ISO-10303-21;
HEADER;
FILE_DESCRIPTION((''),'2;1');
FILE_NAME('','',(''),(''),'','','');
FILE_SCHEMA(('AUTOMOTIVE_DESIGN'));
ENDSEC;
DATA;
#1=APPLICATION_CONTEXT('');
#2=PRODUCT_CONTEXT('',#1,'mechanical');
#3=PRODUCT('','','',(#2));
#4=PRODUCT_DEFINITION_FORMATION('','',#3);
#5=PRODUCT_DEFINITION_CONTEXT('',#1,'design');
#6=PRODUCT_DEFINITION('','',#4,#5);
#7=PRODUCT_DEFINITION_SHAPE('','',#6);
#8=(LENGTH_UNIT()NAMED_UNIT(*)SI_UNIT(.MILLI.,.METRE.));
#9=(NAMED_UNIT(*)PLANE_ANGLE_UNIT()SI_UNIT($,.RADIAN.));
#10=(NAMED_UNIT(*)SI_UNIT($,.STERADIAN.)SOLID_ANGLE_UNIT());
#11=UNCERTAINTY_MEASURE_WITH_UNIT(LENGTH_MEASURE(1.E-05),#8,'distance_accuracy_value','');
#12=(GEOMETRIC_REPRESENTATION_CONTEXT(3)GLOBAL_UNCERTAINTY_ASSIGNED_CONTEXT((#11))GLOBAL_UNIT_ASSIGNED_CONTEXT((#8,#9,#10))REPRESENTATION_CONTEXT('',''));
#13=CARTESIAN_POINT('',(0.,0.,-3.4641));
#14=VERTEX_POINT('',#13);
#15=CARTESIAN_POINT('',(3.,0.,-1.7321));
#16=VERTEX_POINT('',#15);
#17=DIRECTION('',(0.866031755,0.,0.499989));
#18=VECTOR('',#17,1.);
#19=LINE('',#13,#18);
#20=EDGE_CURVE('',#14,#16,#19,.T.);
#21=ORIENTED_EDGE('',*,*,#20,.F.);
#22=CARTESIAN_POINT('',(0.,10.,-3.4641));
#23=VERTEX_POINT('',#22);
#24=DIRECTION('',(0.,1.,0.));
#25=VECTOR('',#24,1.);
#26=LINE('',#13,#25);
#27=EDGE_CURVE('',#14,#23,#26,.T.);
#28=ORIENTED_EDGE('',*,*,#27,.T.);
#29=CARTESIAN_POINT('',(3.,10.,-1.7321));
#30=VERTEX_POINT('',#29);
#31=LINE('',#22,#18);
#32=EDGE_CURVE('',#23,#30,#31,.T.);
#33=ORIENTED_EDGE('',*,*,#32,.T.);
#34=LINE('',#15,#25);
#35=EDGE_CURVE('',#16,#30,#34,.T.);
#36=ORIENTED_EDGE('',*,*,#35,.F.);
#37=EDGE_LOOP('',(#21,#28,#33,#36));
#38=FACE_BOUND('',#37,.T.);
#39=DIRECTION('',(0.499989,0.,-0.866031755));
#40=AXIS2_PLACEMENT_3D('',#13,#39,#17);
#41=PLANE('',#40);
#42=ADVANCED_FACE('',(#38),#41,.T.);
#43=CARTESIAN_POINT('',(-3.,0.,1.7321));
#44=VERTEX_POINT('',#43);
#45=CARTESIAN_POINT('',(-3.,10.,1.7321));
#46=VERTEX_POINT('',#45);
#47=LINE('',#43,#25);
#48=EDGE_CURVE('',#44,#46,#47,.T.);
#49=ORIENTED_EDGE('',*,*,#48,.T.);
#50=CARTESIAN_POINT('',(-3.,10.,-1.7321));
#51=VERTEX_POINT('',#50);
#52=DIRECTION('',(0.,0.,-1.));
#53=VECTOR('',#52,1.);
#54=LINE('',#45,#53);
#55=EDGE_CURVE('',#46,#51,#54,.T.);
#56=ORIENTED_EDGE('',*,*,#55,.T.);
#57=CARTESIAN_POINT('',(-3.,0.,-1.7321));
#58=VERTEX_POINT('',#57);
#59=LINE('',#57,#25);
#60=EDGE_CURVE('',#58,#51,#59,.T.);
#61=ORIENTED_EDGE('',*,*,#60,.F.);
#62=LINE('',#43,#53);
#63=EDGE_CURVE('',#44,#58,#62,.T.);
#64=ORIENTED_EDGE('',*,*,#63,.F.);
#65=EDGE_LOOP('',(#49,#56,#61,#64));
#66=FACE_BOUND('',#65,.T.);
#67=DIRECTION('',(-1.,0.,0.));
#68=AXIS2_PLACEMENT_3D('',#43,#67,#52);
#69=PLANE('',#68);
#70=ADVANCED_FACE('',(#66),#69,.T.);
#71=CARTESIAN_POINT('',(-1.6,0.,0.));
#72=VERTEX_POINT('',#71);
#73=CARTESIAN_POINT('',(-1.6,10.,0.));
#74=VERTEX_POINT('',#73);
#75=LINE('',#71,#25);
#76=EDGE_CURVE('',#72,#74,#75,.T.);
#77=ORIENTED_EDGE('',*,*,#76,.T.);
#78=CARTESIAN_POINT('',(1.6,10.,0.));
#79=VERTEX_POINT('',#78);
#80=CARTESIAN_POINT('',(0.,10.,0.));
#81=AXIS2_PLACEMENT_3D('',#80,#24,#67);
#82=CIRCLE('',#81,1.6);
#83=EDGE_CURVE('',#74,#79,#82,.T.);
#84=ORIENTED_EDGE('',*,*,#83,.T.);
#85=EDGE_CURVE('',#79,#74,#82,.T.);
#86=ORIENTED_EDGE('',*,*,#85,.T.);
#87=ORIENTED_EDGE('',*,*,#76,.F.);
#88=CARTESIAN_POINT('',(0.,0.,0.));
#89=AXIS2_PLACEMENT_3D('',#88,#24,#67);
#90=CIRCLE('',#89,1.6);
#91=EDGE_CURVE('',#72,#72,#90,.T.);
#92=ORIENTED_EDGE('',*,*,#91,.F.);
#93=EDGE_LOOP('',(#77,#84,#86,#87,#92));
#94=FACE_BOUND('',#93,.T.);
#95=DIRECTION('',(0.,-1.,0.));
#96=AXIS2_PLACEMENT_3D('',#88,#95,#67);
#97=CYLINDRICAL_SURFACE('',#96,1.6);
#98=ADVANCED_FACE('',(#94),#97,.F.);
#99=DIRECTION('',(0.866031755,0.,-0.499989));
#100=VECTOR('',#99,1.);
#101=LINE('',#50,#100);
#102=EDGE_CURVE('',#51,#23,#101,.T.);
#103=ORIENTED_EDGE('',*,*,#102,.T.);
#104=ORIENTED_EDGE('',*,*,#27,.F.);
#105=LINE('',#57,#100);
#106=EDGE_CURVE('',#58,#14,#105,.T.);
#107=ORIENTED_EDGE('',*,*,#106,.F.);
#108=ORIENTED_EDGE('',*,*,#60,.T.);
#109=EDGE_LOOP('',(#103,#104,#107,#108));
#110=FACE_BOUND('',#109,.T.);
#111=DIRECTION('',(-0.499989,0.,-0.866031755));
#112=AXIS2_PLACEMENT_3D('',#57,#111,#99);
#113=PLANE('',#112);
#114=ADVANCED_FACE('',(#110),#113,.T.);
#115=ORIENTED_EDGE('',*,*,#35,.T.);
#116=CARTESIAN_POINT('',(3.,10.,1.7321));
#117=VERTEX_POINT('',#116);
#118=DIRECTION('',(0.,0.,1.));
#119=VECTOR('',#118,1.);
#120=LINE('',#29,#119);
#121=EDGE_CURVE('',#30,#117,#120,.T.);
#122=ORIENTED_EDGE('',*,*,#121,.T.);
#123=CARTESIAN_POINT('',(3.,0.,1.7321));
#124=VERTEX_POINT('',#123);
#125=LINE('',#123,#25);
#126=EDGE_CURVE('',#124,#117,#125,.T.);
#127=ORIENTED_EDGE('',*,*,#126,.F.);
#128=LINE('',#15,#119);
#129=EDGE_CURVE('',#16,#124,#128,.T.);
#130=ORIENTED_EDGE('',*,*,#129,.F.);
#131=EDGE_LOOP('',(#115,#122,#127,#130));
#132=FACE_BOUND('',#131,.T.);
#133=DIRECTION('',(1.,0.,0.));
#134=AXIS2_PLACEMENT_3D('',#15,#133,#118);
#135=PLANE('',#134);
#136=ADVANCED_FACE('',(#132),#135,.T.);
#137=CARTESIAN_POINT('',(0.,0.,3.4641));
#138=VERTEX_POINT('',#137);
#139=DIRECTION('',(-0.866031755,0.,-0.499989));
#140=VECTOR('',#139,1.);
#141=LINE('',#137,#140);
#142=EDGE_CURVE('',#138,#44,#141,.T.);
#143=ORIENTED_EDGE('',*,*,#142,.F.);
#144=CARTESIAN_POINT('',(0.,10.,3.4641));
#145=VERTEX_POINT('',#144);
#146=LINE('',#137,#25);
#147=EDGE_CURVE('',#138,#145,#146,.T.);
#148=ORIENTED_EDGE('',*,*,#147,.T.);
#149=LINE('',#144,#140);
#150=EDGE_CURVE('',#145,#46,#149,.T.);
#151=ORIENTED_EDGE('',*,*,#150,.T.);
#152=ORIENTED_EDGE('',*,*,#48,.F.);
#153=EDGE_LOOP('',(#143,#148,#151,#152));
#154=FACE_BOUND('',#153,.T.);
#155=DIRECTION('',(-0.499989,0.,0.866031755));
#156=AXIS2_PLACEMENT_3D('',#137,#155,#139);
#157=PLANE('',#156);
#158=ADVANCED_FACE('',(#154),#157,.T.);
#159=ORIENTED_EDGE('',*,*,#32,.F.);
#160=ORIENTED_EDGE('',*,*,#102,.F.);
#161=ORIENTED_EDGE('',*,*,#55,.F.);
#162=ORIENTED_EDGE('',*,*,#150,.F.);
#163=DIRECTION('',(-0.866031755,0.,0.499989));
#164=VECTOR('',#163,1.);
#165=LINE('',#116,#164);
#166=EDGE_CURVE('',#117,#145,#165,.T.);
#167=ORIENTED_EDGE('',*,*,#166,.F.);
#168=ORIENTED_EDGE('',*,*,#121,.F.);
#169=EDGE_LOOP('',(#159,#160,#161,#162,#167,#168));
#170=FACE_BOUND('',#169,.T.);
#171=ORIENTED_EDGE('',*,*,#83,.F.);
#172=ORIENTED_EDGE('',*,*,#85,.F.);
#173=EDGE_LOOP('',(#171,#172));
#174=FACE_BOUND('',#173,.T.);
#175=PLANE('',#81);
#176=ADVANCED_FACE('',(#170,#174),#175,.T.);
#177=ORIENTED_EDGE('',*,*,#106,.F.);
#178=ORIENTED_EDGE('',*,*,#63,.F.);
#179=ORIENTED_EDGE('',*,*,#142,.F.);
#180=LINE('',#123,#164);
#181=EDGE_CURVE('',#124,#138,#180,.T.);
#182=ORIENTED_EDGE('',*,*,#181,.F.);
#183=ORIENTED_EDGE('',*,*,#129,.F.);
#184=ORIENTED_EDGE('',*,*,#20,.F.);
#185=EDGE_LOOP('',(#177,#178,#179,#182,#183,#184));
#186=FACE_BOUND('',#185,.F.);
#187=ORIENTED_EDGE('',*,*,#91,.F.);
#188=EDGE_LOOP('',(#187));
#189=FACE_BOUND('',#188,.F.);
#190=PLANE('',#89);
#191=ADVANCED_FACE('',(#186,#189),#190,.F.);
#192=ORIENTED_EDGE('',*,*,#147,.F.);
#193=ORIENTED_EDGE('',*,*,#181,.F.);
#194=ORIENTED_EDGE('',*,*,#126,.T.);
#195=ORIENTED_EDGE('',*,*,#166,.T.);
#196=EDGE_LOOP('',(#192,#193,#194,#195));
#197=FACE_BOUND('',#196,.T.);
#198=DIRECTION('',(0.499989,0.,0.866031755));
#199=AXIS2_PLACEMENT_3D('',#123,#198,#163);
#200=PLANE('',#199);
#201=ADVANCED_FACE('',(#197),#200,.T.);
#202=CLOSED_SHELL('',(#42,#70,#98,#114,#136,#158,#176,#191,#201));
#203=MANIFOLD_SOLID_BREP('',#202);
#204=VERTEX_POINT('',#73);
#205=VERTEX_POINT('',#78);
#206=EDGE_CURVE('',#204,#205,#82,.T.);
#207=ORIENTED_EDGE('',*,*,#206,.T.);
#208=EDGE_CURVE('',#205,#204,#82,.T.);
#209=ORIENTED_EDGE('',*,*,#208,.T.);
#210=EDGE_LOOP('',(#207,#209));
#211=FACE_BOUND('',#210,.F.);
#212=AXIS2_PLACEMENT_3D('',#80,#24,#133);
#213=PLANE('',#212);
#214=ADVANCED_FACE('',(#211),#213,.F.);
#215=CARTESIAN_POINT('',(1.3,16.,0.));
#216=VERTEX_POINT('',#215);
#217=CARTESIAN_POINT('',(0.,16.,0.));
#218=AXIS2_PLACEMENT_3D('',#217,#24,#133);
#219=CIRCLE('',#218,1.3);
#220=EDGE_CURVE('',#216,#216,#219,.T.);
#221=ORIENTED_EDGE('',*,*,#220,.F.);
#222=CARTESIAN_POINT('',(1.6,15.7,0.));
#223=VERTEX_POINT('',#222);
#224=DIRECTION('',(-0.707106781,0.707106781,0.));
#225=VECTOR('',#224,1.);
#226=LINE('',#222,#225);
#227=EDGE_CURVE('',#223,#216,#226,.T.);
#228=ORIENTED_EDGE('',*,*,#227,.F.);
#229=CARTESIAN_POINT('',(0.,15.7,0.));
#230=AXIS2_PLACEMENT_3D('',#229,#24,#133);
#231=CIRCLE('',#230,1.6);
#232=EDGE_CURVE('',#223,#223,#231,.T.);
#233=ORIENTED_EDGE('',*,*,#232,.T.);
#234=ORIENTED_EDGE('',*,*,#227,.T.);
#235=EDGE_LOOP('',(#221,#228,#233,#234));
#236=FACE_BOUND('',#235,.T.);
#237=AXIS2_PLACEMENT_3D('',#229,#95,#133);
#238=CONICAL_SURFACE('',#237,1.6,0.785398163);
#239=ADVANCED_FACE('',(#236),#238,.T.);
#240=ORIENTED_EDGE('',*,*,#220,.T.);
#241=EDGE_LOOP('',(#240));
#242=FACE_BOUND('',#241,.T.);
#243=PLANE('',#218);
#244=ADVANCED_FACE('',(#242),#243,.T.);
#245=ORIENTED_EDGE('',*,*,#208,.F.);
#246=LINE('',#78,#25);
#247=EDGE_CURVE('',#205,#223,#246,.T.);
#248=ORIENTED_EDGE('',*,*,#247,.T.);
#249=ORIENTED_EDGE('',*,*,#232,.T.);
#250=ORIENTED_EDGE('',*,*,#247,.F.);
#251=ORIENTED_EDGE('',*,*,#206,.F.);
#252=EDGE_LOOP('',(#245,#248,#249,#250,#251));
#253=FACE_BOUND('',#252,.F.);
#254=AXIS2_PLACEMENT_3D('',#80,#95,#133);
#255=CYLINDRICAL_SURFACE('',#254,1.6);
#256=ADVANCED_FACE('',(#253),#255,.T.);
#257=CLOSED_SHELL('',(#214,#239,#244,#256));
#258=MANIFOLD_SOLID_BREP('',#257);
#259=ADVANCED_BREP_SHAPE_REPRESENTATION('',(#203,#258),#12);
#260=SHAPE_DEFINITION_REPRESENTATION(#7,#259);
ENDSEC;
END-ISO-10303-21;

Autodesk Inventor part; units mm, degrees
ref_plane "YZ Plane" through (0, 0, 0) normal (1, 0, 0) x (0, 1, 0)
ref_plane "XZ Plane" through (0, 0, 0) normal (0, 1, 0) x (-1, 0, 0)
ref_plane "XY Plane" through (0, 0, 0) normal (0, 0, 1) x (1, 0, 0)
sketch "Sketch1" plane through (0, 0, 0) normal (0, 1, 0) x (-1, 0, 0)
  circle A0 centre (0, 0) radius 1.6
  line L0 (0, -3.4641) -> (-3, -1.7321)
  line L1 (-3, -1.7321) -> (-3, 1.7321)
  line L2 (-3, 1.7321) -> (0, 3.4641)
  line L3 (0, 3.4641) -> (3, 1.7321)
  line L4 (3, 1.7321) -> (3, -1.7321)
  line L5 (3, -1.7321) -> (0, -3.4641)
  dimension "d0" = 3.2
  dimension "d1" = 6
extrude "Extrusion1" add sketch "Sketch1" along normal blind 10
sketch "Sketch3" plane through (0, 10, 0) normal (0, 1, 0) x (1, 0, 0)
  circle A0 centre (0, 0) radius 1.6
extrude "Extrusion3" add sketch "Sketch3" along normal blind 6
thread "Thread2" size "M3.5x0.6" class "6g" standard "ANSI Metric M Profile" full length
chamfer "Chamfer2" distance 0.3 angle 45 1 edges at (-1.6, 16, 0)
thread "Thread3" size "M3.5x0.6" class "6H" standard "ANSI Metric M Profile" full length
properties part number "Standoff 10" material "Nylon 6"
